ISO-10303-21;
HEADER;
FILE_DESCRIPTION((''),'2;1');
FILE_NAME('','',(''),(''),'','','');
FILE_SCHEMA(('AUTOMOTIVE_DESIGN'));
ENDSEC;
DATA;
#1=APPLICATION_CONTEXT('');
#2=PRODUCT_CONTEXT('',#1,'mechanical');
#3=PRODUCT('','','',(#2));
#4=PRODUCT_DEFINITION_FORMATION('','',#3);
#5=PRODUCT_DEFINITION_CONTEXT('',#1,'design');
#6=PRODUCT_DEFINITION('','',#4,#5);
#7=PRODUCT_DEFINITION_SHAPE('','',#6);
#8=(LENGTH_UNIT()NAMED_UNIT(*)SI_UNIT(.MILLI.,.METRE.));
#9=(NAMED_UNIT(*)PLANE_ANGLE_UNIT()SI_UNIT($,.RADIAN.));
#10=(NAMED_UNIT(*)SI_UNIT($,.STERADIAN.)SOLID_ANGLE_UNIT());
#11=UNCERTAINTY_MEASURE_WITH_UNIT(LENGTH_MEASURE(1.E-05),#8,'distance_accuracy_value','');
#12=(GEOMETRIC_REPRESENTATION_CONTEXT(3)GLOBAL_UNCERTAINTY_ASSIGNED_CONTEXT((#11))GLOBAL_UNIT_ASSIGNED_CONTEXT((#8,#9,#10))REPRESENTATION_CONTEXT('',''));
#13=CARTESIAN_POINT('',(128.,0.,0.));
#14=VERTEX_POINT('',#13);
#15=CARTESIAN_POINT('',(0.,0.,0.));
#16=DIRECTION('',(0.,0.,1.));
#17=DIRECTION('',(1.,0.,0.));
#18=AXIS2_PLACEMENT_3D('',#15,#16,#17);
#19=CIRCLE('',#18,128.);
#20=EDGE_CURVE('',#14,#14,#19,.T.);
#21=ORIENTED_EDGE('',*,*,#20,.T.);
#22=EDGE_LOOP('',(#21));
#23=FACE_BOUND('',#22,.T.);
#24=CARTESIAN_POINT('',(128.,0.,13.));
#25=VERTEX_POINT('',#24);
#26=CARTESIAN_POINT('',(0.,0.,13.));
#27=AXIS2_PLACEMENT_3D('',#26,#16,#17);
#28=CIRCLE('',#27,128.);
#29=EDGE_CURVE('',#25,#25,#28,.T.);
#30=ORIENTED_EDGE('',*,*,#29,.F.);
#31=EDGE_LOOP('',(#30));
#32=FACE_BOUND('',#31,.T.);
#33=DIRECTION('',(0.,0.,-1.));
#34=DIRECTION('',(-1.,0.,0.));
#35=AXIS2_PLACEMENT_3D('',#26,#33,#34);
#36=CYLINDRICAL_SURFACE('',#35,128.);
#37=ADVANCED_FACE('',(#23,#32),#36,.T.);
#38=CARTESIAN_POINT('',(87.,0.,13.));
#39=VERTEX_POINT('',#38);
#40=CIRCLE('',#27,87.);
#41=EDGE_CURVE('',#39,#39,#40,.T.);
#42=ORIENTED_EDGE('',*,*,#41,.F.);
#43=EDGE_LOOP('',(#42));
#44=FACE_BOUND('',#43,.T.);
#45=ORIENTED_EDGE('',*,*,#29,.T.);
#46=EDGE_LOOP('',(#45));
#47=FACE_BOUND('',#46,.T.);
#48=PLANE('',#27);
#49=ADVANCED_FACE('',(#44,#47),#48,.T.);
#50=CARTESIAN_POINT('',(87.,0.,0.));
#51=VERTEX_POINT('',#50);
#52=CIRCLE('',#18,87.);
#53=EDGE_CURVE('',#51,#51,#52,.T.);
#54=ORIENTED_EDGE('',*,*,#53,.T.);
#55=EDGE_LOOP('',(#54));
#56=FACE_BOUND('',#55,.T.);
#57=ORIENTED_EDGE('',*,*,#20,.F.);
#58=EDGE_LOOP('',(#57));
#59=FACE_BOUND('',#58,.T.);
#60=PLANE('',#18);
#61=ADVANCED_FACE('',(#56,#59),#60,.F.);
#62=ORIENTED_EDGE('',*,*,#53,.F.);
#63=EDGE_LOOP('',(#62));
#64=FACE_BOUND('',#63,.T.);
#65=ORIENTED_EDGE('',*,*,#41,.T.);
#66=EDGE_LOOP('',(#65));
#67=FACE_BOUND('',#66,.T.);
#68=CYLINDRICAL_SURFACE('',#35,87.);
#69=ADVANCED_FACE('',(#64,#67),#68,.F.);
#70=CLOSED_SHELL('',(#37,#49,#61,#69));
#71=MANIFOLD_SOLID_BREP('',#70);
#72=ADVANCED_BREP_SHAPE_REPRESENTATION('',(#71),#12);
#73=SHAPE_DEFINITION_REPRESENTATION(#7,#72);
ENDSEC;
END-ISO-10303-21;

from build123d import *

# Parameters (mm, degrees)
SKETCH1_R           = 128
SKETCH1_R_2         = 87
BOSS_EXTRUDE1_DEPTH = 13


with BuildPart() as part:
    # Sketch1 → Boss-Extrude1 (new body)
    with BuildSketch(Plane.XY):
        Circle(SKETCH1_R)
        Circle(SKETCH1_R_2, mode=Mode.SUBTRACT)
    extrude(amount=BOSS_EXTRUDE1_DEPTH)


solid = part.part
